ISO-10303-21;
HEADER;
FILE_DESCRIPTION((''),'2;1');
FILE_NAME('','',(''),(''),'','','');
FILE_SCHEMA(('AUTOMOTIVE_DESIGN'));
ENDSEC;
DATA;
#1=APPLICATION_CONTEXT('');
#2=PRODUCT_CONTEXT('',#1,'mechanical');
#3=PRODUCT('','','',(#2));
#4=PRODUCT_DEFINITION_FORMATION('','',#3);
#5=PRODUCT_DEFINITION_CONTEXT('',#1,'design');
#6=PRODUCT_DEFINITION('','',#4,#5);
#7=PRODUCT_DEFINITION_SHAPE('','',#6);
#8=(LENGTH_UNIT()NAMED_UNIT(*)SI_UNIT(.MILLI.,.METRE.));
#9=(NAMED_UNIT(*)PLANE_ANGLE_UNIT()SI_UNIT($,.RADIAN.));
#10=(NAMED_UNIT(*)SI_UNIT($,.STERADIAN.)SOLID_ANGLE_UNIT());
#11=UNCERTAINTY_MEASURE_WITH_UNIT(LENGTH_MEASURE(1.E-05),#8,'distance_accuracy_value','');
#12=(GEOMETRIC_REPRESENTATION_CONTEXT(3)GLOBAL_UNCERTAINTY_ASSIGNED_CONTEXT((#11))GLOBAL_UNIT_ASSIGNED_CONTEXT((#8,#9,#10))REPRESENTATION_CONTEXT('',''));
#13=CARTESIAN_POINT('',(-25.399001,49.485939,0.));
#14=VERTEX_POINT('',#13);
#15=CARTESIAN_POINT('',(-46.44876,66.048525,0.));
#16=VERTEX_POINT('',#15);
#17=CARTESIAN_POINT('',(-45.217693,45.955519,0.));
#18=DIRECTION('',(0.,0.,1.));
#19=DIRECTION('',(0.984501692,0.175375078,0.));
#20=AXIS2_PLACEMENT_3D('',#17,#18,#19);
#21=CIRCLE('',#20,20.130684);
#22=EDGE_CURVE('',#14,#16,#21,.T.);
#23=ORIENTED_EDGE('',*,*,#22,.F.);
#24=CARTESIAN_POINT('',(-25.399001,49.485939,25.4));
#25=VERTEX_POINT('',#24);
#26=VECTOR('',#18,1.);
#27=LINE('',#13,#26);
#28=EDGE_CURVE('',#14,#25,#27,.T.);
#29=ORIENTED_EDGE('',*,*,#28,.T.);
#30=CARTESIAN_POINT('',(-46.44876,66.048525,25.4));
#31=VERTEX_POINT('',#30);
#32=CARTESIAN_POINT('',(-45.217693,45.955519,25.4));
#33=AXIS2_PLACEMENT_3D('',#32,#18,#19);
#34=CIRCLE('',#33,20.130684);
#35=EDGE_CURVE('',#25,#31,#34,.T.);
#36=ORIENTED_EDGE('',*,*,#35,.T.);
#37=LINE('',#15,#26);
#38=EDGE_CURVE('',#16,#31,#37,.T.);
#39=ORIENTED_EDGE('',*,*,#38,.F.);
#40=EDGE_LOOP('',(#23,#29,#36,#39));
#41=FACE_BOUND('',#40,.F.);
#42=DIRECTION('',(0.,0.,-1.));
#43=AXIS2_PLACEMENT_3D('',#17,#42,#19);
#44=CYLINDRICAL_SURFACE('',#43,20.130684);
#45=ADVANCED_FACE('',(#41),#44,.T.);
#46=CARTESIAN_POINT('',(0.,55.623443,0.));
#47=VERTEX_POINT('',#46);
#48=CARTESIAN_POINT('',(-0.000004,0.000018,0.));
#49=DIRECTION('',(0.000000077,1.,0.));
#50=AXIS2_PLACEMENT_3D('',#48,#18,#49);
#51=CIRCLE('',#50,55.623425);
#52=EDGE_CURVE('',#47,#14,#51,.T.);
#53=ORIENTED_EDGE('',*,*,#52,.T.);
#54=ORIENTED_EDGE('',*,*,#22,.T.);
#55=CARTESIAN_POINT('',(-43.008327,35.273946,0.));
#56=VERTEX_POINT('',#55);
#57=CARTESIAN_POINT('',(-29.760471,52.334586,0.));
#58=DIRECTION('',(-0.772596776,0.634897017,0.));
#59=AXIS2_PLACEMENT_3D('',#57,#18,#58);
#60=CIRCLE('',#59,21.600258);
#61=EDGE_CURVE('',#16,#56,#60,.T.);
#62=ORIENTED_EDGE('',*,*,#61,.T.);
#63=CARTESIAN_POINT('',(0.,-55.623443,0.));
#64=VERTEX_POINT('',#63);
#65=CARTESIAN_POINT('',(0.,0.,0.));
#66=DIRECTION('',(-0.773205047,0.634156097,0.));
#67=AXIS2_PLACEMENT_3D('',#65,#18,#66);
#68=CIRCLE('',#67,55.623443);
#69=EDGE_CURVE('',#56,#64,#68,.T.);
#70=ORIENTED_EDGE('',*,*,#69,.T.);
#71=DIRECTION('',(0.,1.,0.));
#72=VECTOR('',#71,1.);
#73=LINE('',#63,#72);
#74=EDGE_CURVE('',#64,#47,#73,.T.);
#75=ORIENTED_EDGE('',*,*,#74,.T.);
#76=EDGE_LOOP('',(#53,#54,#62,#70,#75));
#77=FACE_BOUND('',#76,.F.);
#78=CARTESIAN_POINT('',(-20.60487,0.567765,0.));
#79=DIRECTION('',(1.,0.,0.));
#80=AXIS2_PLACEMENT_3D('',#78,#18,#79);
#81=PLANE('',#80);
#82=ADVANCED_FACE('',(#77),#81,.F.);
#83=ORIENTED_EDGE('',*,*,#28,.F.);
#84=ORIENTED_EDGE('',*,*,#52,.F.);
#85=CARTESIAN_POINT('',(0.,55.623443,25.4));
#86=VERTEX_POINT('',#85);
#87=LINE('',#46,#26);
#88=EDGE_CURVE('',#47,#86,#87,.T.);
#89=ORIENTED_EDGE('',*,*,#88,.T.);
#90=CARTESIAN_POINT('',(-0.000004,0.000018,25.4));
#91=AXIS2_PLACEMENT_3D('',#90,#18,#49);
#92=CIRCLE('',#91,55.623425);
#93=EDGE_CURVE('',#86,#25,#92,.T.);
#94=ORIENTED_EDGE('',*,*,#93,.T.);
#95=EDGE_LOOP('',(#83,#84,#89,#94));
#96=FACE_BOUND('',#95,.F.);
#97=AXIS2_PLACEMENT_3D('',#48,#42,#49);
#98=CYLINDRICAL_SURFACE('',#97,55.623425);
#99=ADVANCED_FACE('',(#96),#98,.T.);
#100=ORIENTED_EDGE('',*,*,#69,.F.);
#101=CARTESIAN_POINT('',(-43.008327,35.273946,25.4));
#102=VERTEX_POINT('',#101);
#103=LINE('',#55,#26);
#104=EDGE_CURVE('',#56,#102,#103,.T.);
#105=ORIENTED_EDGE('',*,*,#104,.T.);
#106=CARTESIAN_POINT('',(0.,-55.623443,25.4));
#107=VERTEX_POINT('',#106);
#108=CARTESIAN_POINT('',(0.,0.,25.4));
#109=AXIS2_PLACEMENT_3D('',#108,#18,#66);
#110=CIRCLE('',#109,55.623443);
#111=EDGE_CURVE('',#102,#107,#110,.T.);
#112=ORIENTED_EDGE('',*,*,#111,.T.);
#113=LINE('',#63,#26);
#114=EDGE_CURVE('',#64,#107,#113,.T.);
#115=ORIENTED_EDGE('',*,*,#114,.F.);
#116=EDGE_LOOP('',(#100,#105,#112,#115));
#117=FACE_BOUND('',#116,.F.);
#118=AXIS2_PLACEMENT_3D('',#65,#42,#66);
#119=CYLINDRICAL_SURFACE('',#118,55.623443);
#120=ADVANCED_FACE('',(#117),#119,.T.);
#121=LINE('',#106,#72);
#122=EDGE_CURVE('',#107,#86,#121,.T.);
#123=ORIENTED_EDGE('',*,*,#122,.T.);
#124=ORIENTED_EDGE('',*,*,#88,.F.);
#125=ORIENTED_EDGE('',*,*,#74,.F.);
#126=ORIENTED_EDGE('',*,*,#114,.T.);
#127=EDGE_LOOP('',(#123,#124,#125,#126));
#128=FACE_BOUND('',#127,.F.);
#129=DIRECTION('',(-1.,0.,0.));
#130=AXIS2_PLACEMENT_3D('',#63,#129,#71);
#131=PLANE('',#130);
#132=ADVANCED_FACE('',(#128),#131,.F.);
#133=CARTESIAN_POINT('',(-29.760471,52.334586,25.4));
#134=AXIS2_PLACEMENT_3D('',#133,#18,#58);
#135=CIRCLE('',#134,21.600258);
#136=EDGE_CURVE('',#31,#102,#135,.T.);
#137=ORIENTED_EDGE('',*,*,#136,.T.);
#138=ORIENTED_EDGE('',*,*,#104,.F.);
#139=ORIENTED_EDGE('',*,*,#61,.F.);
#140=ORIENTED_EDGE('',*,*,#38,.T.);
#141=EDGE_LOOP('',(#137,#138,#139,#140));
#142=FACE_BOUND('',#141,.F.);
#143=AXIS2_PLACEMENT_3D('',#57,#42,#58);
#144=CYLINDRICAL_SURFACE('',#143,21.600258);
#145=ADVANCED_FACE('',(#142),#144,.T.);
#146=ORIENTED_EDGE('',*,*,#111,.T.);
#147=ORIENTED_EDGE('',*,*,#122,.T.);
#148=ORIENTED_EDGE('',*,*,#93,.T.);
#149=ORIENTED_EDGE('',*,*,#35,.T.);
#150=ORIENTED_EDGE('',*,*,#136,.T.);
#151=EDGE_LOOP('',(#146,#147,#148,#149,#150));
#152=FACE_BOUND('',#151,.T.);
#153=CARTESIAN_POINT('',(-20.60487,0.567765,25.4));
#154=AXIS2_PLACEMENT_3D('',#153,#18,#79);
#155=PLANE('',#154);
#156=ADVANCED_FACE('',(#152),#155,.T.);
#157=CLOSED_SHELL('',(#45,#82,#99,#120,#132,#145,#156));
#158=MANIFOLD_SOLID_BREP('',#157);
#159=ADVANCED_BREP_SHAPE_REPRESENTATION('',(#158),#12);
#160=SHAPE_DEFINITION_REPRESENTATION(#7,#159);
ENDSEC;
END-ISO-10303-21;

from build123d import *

# Parameters (mm, degrees)
F1_DEPTH = 25.4


with BuildPart() as f1:
    # F0 (on Top) → F1 (new body)
    with BuildSketch(Plane.XY):
        with BuildLine():
            Line((0, 0), (0, 55.623443))
            ThreePointArc((0, 55.623443), (-13.065012, 54.0673), (-25.399001, 49.485939))
            ThreePointArc((-25.399001, 49.485939), (-34.934021, 43.284889), (-43.008327, 35.273946))
            ThreePointArc((-43.008327, 35.273946), (-50.279348, -23.7898), (0, -55.623443))
            Line((0, -55.623443), (0, 0))
        make_face()
        with BuildLine():
            ThreePointArc((-43.008327, 35.273946), (-34.934021, 43.284889), (-25.399001, 49.485939))
            ThreePointArc((-25.399001, 49.485939), (-32.76961, 61.776064), (-46.44876, 66.048525))
            ThreePointArc((-46.44876, 66.048525), (-51.227, 49.934743), (-43.008327, 35.273946))
        make_face()
    extrude(amount=F1_DEPTH)


solid = f1.part
